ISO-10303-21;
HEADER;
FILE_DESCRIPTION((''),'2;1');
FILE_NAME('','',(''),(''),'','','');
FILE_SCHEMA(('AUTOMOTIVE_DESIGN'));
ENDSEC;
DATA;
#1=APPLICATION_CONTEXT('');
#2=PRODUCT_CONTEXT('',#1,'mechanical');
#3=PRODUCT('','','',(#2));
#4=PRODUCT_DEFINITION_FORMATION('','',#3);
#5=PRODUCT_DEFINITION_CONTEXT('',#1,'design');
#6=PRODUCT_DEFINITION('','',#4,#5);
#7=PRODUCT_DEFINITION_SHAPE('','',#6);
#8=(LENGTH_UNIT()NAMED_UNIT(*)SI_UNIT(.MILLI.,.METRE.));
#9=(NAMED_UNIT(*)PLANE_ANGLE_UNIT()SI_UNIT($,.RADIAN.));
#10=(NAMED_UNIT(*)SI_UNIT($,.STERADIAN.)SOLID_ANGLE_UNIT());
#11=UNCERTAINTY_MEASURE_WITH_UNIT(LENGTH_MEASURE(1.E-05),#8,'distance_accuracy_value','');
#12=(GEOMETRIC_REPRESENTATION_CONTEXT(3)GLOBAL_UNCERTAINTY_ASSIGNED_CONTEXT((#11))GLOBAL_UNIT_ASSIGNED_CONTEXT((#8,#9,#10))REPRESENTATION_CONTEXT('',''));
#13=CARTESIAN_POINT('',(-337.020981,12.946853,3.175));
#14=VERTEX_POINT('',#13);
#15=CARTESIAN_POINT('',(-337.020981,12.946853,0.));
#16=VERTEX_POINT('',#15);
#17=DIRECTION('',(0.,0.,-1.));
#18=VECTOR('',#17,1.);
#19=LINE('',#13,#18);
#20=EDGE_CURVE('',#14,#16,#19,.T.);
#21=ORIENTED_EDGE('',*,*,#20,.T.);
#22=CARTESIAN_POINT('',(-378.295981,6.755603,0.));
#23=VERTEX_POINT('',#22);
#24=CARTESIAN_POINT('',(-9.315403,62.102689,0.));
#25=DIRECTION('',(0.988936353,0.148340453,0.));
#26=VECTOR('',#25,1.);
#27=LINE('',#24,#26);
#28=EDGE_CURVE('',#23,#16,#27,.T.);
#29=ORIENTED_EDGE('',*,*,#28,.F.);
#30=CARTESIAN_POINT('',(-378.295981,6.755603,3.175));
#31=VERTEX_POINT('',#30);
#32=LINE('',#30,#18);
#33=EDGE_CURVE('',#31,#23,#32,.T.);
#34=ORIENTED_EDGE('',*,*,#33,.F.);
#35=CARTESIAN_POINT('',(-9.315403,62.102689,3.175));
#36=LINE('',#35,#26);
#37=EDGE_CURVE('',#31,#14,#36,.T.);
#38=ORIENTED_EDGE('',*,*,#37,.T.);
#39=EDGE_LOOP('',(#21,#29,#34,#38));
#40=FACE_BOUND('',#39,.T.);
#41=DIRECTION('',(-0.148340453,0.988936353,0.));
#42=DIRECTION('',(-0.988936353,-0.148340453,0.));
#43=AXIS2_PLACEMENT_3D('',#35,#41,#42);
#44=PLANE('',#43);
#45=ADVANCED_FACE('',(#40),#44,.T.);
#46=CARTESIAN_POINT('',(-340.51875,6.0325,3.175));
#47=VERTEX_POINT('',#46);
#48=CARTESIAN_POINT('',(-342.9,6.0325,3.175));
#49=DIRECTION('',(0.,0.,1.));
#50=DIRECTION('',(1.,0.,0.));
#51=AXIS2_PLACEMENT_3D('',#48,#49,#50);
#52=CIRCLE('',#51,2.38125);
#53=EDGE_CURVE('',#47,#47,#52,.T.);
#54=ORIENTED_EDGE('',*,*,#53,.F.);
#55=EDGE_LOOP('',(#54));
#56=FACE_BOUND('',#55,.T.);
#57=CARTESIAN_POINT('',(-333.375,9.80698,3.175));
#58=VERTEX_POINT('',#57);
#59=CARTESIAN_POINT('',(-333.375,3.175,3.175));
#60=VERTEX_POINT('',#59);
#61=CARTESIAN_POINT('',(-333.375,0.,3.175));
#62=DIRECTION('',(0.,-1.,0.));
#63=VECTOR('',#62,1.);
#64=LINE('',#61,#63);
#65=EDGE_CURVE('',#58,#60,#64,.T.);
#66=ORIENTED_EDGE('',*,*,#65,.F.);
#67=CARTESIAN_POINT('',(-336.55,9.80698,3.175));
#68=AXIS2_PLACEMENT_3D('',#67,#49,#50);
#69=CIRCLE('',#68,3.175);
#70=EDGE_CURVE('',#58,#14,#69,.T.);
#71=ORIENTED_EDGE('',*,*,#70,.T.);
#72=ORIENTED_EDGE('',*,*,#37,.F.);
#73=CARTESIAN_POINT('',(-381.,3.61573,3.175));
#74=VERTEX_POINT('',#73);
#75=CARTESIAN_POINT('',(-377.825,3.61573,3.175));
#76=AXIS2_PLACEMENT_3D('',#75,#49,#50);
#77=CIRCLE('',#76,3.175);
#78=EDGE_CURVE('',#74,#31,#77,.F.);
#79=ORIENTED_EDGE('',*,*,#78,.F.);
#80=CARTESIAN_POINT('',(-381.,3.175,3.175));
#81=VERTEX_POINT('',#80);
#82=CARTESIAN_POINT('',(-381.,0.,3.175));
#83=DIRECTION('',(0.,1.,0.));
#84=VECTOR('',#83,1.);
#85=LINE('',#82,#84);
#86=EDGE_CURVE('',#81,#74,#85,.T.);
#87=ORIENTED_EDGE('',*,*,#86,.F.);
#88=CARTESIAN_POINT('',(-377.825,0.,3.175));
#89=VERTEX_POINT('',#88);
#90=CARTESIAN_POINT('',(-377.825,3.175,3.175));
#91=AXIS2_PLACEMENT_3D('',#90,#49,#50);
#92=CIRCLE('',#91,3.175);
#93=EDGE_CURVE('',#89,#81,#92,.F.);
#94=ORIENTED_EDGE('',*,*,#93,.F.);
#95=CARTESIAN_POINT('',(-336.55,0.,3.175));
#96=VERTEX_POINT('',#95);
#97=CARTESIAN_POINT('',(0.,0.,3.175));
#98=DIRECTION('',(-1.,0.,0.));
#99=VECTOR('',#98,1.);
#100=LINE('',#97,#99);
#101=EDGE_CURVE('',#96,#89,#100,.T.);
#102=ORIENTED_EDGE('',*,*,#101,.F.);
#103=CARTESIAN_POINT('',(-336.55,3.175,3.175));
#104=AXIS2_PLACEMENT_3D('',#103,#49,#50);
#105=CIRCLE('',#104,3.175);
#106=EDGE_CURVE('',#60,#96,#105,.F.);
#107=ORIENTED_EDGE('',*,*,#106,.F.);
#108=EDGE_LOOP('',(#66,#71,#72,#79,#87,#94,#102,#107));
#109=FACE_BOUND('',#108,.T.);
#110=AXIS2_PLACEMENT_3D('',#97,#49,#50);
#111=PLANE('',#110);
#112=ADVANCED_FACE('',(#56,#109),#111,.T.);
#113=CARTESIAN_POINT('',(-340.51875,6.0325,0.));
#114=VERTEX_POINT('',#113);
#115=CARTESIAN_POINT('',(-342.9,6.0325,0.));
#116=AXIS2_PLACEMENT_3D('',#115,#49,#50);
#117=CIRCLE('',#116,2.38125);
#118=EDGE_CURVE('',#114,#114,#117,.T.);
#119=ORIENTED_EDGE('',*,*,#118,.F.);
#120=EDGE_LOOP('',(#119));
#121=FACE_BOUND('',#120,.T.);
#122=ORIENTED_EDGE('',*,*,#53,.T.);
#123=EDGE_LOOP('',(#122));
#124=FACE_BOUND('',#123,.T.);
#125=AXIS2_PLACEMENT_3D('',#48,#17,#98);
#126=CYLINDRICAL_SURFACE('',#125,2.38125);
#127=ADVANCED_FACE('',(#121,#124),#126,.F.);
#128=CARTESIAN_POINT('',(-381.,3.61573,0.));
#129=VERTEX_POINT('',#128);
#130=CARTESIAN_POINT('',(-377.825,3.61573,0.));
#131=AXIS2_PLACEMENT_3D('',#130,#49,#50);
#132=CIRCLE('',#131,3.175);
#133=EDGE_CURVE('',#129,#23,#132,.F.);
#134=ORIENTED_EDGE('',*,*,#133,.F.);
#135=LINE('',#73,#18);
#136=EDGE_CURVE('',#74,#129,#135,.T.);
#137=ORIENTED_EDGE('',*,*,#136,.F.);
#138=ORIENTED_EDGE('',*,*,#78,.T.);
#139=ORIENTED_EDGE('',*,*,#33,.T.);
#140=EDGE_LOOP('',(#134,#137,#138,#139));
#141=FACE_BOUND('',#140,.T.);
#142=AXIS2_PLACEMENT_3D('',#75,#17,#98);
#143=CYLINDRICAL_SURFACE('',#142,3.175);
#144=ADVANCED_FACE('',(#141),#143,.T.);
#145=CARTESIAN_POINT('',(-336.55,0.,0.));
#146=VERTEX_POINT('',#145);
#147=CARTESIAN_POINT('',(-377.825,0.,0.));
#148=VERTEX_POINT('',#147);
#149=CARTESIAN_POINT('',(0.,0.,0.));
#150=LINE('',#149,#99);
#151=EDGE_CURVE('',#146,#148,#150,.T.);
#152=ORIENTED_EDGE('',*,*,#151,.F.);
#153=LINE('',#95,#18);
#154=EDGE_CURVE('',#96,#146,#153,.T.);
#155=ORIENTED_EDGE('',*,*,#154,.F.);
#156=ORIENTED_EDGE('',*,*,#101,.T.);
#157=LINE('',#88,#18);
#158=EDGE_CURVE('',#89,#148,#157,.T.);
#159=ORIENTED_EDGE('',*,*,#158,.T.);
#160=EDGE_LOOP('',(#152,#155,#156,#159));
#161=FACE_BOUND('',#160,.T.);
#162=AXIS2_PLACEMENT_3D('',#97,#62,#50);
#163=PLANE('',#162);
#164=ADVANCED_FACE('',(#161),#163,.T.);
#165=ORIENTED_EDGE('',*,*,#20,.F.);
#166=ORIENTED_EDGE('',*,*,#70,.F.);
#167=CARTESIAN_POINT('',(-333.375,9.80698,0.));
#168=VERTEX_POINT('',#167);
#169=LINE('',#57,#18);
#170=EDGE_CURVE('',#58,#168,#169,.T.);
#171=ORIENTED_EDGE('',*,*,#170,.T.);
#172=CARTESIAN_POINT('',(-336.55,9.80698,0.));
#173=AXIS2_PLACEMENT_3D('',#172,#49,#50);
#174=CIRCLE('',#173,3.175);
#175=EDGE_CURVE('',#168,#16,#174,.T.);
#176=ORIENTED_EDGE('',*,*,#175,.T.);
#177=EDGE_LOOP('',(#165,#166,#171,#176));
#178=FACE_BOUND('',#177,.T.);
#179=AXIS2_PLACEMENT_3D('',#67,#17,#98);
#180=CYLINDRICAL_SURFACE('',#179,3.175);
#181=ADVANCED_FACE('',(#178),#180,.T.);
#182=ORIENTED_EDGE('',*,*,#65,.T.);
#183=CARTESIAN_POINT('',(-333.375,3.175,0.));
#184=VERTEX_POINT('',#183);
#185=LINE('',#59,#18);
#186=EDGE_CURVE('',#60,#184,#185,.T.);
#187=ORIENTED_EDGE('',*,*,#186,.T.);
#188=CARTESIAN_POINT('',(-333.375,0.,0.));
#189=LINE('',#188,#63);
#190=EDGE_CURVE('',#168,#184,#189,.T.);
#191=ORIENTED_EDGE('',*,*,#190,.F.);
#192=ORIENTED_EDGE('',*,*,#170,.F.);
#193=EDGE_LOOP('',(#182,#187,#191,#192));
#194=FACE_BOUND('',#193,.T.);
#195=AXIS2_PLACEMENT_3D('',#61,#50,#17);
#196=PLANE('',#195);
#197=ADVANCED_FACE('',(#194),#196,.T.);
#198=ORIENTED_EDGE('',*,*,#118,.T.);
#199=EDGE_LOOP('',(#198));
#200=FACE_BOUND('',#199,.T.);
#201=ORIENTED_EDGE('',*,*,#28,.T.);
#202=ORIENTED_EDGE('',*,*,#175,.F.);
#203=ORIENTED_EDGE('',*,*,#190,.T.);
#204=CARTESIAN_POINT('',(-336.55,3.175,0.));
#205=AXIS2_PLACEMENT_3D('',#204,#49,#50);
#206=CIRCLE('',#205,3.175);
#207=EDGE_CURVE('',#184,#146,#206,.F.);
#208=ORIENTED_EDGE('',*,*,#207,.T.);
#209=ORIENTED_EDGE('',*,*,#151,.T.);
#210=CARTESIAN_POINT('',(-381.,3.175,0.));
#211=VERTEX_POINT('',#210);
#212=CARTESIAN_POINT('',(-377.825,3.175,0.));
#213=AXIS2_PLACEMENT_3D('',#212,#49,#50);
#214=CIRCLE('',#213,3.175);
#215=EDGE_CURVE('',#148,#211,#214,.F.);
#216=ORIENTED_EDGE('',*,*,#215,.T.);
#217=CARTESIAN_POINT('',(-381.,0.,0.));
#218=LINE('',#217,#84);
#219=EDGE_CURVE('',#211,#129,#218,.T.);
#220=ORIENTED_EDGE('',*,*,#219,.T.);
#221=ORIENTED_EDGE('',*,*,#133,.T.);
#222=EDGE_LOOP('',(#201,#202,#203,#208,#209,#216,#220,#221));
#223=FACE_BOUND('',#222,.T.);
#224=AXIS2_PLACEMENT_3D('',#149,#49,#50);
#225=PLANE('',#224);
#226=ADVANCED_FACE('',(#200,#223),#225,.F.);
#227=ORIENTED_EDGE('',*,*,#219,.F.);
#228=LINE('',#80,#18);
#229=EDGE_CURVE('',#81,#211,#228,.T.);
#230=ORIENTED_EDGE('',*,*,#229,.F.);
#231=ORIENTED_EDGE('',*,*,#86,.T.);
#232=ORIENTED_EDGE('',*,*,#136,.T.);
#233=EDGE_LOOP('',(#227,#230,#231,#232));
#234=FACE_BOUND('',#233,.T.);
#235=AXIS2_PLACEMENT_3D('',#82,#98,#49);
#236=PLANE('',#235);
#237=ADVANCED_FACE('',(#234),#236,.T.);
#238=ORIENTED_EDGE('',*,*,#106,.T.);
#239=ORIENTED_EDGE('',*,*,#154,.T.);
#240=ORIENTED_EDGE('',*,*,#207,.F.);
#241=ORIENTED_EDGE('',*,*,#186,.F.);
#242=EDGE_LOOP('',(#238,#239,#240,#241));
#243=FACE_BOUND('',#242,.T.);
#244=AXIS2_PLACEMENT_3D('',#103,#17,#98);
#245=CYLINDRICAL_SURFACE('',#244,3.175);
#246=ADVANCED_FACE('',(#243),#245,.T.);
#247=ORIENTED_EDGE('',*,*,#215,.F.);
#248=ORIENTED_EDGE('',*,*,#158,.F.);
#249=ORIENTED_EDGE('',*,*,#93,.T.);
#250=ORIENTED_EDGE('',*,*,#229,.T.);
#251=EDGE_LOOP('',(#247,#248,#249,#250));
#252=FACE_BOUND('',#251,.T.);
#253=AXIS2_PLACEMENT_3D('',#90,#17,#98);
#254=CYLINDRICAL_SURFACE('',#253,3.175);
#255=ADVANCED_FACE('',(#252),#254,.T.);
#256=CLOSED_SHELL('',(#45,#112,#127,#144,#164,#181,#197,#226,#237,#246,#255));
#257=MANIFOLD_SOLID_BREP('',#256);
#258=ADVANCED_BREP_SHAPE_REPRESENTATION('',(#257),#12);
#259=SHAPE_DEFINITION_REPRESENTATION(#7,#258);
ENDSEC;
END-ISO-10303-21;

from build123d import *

# Parameters (mm, degrees)
BOSS_EXTRUDE1_DEPTH = 3.175


with BuildPart() as part:
    # Sketch1 → Boss-Extrude1 (new body)
    with BuildSketch(Plane.XY):
        with BuildLine():
            Line((-381, 3.615729939), (-381, 3.175))
            ThreePointArc((-381, 3.175), (-380.07006403, 0.92993597), (-377.825, 0))
            Line((-377.825, 0), (-342.9, 0))
            Line((-342.9, 0), (-342.9, 3.65125))
            ThreePointArc((-342.9, 3.65125), (-345.28125, 6.0325), (-342.9, 8.41375))
            Line((-342.9, 8.41375), (-342.9, 12.065))
            Line((-342.9, 12.065), (-378.295980938, 6.755602859))
            ThreePointArc((-378.295980938, 6.755602859), (-380.230825168, 5.68759631), (-381, 3.615729939))
        make_face()
        with BuildLine():
            Line((-342.9, 3.65125), (-342.9, 0))
            Line((-342.9, 0), (-336.55, 0))
            ThreePointArc((-336.55, 0), (-334.30493597, 0.92993597), (-333.375, 3.175))
            Line((-333.375, 3.175), (-333.375, 9.806979939))
            ThreePointArc((-333.375, 9.806979939), (-334.478133629, 12.212805107), (-337.020980938, 12.946852859))
            Line((-337.020980938, 12.946852859), (-342.9, 12.065))
            Line((-342.9, 12.065), (-342.9, 8.41375))
            ThreePointArc((-342.9, 8.41375), (-341.216201977, 7.716298023), (-340.51875, 6.0325))
            ThreePointArc((-340.51875, 6.0325), (-341.216201977, 4.348701977), (-342.9, 3.65125))
        make_face()
    extrude(amount=BOSS_EXTRUDE1_DEPTH)


solid = part.part
